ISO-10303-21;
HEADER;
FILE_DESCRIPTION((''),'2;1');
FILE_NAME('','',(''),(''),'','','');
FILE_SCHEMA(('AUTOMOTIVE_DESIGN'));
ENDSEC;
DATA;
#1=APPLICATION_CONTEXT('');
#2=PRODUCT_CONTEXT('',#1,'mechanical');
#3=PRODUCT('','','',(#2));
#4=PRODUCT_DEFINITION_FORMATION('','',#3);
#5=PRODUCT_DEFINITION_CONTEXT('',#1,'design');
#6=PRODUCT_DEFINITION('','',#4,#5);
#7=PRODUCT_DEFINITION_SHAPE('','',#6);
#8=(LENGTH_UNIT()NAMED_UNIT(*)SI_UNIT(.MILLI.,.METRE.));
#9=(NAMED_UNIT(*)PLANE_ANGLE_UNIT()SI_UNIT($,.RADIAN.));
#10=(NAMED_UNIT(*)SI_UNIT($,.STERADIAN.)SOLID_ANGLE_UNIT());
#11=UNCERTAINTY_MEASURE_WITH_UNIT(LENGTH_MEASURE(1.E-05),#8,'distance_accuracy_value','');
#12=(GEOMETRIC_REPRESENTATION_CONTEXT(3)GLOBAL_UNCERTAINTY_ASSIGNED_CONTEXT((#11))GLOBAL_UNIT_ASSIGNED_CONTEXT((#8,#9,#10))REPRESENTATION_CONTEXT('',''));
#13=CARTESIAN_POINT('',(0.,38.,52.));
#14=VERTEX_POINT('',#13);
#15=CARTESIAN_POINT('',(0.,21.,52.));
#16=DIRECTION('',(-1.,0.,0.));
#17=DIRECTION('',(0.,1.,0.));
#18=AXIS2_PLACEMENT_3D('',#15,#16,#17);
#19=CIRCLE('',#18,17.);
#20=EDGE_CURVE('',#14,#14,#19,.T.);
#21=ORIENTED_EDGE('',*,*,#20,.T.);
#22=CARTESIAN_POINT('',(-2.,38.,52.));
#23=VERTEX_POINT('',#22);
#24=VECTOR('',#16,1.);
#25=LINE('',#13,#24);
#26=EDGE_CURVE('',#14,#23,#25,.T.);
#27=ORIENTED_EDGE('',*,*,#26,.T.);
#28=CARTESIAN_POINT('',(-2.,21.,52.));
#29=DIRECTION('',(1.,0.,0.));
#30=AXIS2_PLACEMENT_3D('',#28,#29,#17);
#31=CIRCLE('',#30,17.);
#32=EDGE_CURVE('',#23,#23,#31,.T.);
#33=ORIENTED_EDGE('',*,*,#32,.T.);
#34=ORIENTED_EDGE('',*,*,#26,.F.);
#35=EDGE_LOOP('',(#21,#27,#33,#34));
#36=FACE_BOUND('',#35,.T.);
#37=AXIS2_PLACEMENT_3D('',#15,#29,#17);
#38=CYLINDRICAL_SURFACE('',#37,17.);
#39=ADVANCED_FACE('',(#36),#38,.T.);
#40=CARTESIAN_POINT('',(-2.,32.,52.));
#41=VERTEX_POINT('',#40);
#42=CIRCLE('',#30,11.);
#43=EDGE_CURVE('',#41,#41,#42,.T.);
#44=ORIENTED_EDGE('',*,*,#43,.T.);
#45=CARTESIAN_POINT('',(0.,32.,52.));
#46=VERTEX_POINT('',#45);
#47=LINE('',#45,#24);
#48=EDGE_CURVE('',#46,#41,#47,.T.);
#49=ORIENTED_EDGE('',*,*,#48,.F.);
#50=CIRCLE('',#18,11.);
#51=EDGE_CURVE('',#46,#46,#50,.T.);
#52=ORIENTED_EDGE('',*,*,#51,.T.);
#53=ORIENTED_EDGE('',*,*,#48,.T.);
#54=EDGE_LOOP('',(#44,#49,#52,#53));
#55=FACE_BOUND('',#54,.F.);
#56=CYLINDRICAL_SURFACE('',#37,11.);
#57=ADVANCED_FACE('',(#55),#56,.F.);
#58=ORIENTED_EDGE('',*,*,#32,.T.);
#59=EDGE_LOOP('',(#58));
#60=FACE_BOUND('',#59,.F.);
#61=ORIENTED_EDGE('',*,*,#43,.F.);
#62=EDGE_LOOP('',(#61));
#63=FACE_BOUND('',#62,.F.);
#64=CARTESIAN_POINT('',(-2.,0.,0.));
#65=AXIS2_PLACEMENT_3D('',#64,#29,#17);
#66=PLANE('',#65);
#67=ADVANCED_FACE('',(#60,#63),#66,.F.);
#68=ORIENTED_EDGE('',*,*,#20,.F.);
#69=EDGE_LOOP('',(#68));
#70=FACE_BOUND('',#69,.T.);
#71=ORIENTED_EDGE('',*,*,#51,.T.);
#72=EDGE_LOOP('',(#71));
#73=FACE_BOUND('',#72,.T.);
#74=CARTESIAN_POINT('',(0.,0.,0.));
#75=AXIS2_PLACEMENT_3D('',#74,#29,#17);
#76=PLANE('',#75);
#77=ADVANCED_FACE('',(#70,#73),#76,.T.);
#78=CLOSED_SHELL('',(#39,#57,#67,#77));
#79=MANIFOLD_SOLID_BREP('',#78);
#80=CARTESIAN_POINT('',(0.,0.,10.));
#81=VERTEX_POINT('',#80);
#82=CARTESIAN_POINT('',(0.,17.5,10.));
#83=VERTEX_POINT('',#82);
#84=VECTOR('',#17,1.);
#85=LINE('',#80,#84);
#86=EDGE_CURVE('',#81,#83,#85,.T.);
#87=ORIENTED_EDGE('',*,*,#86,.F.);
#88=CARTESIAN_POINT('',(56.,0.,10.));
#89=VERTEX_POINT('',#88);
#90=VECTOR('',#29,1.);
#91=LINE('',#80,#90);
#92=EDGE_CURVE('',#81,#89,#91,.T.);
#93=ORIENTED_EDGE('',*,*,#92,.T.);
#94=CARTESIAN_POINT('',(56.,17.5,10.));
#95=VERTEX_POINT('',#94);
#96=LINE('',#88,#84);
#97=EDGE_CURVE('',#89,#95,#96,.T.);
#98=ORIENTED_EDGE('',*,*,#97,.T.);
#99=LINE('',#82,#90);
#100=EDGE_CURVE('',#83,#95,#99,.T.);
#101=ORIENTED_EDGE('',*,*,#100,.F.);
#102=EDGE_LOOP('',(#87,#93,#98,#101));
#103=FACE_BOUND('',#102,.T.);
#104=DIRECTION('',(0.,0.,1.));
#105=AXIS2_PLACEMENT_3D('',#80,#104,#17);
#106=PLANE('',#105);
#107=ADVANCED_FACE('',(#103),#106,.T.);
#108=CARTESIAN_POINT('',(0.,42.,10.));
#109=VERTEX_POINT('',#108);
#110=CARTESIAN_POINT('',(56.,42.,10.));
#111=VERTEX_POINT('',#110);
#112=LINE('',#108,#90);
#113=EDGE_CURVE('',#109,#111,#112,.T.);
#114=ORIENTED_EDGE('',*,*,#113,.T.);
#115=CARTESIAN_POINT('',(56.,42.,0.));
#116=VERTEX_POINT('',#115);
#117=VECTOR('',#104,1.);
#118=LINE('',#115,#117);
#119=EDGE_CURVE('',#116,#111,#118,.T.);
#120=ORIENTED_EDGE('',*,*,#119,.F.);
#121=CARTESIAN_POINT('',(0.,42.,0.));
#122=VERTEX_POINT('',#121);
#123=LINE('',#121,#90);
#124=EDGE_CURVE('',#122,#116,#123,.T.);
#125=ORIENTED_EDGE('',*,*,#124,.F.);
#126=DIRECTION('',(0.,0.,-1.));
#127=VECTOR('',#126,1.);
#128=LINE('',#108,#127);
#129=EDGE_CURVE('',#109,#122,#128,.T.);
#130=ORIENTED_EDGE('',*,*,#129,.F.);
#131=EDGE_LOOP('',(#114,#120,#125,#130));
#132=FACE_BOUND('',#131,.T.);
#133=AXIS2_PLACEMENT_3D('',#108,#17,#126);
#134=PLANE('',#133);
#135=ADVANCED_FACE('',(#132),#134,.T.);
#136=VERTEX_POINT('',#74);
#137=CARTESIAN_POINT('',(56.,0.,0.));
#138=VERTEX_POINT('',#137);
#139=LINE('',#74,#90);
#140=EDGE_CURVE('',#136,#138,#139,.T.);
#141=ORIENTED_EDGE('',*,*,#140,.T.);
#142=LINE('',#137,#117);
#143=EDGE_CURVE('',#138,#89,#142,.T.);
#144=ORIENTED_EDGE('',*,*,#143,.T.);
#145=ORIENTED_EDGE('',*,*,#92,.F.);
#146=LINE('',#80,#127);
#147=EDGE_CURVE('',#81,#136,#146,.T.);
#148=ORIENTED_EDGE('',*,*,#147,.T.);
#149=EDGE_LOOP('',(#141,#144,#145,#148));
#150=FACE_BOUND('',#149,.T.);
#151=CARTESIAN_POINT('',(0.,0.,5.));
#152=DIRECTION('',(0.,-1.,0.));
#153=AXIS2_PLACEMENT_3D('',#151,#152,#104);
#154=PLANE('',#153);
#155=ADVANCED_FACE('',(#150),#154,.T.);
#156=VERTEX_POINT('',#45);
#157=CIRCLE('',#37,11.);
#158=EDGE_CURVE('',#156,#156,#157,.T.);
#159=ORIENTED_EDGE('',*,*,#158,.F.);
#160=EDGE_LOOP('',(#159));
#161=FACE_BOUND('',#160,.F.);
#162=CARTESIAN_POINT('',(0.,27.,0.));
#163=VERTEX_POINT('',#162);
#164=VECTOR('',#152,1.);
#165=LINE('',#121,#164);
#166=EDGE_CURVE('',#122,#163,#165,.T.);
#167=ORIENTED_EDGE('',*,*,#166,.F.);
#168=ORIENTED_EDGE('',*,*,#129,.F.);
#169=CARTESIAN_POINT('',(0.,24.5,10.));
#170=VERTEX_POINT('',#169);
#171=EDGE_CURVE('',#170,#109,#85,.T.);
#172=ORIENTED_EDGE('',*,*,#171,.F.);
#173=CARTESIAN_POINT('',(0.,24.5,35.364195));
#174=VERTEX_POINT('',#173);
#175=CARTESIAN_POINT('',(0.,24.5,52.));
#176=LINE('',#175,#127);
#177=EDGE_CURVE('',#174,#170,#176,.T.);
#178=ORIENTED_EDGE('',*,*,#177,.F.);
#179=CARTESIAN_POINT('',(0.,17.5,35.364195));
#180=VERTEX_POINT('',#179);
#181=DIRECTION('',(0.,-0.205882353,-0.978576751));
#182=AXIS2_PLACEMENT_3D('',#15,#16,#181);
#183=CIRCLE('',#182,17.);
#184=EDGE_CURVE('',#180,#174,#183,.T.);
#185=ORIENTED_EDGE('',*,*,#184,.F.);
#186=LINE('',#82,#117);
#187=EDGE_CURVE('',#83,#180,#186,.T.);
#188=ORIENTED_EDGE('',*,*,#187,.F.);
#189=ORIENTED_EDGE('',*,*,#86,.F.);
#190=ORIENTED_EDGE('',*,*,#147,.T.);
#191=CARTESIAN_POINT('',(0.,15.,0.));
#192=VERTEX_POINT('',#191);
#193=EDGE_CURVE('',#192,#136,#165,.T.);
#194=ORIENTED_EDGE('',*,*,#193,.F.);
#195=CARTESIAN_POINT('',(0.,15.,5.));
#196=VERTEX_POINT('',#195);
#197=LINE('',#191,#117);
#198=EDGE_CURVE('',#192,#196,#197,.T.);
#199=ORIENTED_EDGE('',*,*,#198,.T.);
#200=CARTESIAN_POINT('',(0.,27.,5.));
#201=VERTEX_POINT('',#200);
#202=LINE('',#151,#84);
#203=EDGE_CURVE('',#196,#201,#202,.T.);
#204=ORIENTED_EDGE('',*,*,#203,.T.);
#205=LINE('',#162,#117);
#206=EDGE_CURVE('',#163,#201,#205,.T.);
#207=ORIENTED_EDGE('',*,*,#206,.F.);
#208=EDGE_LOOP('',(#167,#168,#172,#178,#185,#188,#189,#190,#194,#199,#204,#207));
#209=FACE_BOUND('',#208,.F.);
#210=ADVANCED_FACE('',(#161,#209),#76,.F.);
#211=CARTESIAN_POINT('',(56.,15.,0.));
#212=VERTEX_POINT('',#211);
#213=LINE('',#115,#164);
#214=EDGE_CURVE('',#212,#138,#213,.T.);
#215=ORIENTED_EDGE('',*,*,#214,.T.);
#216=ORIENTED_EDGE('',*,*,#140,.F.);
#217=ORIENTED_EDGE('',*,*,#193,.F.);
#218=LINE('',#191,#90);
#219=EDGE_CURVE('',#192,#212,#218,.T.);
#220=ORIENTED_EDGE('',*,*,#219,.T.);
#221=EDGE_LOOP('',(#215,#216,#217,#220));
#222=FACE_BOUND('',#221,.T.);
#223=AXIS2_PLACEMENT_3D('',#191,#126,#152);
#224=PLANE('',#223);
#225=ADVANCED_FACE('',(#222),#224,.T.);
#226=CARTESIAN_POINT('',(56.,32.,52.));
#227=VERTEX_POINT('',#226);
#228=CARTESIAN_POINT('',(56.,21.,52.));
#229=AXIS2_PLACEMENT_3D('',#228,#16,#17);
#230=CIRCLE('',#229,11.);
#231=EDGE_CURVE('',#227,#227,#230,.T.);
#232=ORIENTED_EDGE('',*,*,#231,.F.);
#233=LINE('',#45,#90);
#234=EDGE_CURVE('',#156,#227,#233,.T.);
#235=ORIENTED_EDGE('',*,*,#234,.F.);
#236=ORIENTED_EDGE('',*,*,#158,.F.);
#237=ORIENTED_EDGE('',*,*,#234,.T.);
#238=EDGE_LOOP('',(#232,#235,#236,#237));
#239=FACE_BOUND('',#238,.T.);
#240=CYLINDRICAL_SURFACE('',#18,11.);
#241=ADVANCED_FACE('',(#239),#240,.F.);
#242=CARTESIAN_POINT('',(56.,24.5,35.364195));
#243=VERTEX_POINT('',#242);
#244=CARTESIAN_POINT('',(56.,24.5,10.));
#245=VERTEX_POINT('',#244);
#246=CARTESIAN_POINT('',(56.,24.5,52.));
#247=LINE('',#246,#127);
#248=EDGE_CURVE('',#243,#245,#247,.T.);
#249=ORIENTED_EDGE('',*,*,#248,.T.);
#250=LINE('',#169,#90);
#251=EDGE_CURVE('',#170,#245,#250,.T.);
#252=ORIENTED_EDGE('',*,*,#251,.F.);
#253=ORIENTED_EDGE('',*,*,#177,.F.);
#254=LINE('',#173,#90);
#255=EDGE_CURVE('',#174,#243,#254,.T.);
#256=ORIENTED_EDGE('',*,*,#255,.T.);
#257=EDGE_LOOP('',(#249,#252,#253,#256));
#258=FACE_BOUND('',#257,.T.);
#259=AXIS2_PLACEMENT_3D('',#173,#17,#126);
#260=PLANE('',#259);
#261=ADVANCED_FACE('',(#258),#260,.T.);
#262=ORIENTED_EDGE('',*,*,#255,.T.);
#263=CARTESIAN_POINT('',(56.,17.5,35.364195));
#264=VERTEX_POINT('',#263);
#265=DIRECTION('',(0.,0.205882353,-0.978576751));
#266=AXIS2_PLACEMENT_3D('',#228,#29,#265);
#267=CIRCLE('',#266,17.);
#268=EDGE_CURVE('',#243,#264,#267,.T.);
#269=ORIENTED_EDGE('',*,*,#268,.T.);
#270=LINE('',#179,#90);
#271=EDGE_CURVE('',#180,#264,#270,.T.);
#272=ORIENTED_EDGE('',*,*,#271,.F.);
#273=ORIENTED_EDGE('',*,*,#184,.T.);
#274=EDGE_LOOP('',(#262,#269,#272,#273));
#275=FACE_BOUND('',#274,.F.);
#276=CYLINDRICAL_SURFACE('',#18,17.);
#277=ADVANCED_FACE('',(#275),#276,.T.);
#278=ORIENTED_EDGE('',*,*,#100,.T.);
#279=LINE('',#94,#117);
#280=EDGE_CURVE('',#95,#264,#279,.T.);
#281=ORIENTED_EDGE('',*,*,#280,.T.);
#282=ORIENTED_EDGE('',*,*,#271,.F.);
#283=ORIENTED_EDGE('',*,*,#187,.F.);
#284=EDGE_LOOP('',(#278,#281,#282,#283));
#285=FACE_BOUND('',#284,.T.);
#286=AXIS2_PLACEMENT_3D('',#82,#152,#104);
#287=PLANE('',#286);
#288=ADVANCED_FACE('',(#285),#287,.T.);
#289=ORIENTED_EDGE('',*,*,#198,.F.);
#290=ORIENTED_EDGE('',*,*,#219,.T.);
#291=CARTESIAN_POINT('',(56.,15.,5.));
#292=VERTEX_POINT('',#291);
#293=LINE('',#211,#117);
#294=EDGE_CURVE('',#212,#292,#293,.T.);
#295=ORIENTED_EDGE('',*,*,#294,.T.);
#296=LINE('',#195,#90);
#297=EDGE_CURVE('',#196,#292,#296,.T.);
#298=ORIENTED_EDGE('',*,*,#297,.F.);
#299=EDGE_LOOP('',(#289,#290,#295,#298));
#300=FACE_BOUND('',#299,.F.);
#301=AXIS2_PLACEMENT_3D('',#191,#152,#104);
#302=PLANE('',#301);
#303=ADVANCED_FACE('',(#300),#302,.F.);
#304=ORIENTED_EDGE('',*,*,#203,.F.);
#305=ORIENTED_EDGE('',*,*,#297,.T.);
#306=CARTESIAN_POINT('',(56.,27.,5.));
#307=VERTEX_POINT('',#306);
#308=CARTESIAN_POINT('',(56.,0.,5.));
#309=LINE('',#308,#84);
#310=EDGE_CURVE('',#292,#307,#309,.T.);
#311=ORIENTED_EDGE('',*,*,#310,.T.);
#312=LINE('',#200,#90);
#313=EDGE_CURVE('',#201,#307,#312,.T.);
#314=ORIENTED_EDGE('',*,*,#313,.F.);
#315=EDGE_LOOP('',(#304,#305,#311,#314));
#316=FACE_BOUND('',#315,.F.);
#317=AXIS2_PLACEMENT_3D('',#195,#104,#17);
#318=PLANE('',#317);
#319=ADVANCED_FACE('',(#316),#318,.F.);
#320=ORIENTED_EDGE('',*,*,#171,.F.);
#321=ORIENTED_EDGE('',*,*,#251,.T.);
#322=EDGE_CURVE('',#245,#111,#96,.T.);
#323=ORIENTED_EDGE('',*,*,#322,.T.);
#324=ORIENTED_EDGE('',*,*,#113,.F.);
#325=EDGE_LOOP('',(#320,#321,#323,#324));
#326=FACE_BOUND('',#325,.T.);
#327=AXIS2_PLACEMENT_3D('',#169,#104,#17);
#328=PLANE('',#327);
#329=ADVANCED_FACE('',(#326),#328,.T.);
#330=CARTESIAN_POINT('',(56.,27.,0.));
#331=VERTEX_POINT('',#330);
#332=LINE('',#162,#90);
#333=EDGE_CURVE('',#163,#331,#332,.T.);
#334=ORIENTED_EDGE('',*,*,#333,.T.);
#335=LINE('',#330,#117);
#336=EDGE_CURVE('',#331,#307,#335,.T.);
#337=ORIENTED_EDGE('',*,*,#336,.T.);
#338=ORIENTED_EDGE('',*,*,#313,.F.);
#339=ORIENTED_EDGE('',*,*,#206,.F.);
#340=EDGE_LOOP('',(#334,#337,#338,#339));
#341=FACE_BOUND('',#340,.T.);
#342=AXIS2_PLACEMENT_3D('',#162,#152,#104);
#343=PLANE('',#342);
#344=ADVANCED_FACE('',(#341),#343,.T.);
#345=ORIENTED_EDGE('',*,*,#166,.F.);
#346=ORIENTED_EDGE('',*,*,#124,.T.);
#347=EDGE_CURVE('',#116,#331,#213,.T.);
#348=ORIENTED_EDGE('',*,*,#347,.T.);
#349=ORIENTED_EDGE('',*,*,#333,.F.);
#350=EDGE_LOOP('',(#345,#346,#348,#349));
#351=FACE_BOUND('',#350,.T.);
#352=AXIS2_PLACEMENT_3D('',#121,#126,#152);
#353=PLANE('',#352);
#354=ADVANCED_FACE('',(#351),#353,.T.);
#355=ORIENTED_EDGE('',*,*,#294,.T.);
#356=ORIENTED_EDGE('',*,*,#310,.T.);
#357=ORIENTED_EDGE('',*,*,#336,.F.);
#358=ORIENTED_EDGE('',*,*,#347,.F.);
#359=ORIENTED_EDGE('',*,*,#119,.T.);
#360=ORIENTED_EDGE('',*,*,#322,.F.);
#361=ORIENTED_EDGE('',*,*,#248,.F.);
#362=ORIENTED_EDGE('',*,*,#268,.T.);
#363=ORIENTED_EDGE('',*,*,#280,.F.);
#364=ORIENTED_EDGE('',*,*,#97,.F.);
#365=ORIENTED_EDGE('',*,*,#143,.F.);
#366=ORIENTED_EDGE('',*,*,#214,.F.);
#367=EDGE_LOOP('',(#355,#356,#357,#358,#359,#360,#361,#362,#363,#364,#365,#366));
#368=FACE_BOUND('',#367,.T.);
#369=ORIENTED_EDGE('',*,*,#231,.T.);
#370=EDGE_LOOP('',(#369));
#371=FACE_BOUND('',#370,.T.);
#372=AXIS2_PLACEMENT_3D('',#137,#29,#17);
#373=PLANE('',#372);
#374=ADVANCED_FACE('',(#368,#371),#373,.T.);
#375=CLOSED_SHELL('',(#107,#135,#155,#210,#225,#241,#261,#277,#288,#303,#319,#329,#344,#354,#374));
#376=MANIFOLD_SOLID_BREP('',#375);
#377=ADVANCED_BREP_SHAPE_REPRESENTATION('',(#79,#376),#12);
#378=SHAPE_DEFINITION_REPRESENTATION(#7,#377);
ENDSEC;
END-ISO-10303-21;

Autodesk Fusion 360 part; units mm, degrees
sketch "Sketch1" plane through (0, 0, 0) normal (1, 0, 0) x (0, 1, 0)
  line L0 (0, 10) -> (42, 10)
  line L1 (42, 10) -> (42, 0)
  line L2 (42, 0) -> (0, 0)
  line L3 (0, 0) -> (0, 10)
  line L4 (0, 5) -> (42, 5)
  line L5 (15, 0) -> (15, 5)
  line L6 (27, 0) -> (27, 5)
  line L7 (17.5, 52) -> (24.5, 52)
  line L8 (24.5, 52) -> (24.5, 10)
  line L9 (24.5, 10) -> (17.5, 10)
  line L10 (17.5, 10) -> (17.5, 52)
  circle A0 centre (21, 52) radius 17
  circle A1 centre (21, 52) radius 11
  dimension "d1" = 42
  dimension "d2" = 10
  dimension "d4" = 12
  dimension "d5" = 15
  dimension "d6" = 15
  dimension "d7" = 42
  dimension "d8" = 7
  dimension "d9" = 17.5
  dimension "d10" = 34
  dimension "d11" = 22
extrude "Extrude1" add sketch "Sketch1" along normal blind 56 contours L0 L1 L3 L4 L9 | L0 L8 L9 L10 A0 | L2 L3 L4 L5 | L8 L10 A0 A1 | L8 L10 A0 A1 | L1 L2 L4 L6 makes body 1
extrude "Extrude2" add sketch "Sketch1" against normal blind 2 separate body contours L8 L10 A0 A1 | L8 L10 A0 A1 makes body 2
equation "d9 = ( 35 / 2 ) * 1 mm"
